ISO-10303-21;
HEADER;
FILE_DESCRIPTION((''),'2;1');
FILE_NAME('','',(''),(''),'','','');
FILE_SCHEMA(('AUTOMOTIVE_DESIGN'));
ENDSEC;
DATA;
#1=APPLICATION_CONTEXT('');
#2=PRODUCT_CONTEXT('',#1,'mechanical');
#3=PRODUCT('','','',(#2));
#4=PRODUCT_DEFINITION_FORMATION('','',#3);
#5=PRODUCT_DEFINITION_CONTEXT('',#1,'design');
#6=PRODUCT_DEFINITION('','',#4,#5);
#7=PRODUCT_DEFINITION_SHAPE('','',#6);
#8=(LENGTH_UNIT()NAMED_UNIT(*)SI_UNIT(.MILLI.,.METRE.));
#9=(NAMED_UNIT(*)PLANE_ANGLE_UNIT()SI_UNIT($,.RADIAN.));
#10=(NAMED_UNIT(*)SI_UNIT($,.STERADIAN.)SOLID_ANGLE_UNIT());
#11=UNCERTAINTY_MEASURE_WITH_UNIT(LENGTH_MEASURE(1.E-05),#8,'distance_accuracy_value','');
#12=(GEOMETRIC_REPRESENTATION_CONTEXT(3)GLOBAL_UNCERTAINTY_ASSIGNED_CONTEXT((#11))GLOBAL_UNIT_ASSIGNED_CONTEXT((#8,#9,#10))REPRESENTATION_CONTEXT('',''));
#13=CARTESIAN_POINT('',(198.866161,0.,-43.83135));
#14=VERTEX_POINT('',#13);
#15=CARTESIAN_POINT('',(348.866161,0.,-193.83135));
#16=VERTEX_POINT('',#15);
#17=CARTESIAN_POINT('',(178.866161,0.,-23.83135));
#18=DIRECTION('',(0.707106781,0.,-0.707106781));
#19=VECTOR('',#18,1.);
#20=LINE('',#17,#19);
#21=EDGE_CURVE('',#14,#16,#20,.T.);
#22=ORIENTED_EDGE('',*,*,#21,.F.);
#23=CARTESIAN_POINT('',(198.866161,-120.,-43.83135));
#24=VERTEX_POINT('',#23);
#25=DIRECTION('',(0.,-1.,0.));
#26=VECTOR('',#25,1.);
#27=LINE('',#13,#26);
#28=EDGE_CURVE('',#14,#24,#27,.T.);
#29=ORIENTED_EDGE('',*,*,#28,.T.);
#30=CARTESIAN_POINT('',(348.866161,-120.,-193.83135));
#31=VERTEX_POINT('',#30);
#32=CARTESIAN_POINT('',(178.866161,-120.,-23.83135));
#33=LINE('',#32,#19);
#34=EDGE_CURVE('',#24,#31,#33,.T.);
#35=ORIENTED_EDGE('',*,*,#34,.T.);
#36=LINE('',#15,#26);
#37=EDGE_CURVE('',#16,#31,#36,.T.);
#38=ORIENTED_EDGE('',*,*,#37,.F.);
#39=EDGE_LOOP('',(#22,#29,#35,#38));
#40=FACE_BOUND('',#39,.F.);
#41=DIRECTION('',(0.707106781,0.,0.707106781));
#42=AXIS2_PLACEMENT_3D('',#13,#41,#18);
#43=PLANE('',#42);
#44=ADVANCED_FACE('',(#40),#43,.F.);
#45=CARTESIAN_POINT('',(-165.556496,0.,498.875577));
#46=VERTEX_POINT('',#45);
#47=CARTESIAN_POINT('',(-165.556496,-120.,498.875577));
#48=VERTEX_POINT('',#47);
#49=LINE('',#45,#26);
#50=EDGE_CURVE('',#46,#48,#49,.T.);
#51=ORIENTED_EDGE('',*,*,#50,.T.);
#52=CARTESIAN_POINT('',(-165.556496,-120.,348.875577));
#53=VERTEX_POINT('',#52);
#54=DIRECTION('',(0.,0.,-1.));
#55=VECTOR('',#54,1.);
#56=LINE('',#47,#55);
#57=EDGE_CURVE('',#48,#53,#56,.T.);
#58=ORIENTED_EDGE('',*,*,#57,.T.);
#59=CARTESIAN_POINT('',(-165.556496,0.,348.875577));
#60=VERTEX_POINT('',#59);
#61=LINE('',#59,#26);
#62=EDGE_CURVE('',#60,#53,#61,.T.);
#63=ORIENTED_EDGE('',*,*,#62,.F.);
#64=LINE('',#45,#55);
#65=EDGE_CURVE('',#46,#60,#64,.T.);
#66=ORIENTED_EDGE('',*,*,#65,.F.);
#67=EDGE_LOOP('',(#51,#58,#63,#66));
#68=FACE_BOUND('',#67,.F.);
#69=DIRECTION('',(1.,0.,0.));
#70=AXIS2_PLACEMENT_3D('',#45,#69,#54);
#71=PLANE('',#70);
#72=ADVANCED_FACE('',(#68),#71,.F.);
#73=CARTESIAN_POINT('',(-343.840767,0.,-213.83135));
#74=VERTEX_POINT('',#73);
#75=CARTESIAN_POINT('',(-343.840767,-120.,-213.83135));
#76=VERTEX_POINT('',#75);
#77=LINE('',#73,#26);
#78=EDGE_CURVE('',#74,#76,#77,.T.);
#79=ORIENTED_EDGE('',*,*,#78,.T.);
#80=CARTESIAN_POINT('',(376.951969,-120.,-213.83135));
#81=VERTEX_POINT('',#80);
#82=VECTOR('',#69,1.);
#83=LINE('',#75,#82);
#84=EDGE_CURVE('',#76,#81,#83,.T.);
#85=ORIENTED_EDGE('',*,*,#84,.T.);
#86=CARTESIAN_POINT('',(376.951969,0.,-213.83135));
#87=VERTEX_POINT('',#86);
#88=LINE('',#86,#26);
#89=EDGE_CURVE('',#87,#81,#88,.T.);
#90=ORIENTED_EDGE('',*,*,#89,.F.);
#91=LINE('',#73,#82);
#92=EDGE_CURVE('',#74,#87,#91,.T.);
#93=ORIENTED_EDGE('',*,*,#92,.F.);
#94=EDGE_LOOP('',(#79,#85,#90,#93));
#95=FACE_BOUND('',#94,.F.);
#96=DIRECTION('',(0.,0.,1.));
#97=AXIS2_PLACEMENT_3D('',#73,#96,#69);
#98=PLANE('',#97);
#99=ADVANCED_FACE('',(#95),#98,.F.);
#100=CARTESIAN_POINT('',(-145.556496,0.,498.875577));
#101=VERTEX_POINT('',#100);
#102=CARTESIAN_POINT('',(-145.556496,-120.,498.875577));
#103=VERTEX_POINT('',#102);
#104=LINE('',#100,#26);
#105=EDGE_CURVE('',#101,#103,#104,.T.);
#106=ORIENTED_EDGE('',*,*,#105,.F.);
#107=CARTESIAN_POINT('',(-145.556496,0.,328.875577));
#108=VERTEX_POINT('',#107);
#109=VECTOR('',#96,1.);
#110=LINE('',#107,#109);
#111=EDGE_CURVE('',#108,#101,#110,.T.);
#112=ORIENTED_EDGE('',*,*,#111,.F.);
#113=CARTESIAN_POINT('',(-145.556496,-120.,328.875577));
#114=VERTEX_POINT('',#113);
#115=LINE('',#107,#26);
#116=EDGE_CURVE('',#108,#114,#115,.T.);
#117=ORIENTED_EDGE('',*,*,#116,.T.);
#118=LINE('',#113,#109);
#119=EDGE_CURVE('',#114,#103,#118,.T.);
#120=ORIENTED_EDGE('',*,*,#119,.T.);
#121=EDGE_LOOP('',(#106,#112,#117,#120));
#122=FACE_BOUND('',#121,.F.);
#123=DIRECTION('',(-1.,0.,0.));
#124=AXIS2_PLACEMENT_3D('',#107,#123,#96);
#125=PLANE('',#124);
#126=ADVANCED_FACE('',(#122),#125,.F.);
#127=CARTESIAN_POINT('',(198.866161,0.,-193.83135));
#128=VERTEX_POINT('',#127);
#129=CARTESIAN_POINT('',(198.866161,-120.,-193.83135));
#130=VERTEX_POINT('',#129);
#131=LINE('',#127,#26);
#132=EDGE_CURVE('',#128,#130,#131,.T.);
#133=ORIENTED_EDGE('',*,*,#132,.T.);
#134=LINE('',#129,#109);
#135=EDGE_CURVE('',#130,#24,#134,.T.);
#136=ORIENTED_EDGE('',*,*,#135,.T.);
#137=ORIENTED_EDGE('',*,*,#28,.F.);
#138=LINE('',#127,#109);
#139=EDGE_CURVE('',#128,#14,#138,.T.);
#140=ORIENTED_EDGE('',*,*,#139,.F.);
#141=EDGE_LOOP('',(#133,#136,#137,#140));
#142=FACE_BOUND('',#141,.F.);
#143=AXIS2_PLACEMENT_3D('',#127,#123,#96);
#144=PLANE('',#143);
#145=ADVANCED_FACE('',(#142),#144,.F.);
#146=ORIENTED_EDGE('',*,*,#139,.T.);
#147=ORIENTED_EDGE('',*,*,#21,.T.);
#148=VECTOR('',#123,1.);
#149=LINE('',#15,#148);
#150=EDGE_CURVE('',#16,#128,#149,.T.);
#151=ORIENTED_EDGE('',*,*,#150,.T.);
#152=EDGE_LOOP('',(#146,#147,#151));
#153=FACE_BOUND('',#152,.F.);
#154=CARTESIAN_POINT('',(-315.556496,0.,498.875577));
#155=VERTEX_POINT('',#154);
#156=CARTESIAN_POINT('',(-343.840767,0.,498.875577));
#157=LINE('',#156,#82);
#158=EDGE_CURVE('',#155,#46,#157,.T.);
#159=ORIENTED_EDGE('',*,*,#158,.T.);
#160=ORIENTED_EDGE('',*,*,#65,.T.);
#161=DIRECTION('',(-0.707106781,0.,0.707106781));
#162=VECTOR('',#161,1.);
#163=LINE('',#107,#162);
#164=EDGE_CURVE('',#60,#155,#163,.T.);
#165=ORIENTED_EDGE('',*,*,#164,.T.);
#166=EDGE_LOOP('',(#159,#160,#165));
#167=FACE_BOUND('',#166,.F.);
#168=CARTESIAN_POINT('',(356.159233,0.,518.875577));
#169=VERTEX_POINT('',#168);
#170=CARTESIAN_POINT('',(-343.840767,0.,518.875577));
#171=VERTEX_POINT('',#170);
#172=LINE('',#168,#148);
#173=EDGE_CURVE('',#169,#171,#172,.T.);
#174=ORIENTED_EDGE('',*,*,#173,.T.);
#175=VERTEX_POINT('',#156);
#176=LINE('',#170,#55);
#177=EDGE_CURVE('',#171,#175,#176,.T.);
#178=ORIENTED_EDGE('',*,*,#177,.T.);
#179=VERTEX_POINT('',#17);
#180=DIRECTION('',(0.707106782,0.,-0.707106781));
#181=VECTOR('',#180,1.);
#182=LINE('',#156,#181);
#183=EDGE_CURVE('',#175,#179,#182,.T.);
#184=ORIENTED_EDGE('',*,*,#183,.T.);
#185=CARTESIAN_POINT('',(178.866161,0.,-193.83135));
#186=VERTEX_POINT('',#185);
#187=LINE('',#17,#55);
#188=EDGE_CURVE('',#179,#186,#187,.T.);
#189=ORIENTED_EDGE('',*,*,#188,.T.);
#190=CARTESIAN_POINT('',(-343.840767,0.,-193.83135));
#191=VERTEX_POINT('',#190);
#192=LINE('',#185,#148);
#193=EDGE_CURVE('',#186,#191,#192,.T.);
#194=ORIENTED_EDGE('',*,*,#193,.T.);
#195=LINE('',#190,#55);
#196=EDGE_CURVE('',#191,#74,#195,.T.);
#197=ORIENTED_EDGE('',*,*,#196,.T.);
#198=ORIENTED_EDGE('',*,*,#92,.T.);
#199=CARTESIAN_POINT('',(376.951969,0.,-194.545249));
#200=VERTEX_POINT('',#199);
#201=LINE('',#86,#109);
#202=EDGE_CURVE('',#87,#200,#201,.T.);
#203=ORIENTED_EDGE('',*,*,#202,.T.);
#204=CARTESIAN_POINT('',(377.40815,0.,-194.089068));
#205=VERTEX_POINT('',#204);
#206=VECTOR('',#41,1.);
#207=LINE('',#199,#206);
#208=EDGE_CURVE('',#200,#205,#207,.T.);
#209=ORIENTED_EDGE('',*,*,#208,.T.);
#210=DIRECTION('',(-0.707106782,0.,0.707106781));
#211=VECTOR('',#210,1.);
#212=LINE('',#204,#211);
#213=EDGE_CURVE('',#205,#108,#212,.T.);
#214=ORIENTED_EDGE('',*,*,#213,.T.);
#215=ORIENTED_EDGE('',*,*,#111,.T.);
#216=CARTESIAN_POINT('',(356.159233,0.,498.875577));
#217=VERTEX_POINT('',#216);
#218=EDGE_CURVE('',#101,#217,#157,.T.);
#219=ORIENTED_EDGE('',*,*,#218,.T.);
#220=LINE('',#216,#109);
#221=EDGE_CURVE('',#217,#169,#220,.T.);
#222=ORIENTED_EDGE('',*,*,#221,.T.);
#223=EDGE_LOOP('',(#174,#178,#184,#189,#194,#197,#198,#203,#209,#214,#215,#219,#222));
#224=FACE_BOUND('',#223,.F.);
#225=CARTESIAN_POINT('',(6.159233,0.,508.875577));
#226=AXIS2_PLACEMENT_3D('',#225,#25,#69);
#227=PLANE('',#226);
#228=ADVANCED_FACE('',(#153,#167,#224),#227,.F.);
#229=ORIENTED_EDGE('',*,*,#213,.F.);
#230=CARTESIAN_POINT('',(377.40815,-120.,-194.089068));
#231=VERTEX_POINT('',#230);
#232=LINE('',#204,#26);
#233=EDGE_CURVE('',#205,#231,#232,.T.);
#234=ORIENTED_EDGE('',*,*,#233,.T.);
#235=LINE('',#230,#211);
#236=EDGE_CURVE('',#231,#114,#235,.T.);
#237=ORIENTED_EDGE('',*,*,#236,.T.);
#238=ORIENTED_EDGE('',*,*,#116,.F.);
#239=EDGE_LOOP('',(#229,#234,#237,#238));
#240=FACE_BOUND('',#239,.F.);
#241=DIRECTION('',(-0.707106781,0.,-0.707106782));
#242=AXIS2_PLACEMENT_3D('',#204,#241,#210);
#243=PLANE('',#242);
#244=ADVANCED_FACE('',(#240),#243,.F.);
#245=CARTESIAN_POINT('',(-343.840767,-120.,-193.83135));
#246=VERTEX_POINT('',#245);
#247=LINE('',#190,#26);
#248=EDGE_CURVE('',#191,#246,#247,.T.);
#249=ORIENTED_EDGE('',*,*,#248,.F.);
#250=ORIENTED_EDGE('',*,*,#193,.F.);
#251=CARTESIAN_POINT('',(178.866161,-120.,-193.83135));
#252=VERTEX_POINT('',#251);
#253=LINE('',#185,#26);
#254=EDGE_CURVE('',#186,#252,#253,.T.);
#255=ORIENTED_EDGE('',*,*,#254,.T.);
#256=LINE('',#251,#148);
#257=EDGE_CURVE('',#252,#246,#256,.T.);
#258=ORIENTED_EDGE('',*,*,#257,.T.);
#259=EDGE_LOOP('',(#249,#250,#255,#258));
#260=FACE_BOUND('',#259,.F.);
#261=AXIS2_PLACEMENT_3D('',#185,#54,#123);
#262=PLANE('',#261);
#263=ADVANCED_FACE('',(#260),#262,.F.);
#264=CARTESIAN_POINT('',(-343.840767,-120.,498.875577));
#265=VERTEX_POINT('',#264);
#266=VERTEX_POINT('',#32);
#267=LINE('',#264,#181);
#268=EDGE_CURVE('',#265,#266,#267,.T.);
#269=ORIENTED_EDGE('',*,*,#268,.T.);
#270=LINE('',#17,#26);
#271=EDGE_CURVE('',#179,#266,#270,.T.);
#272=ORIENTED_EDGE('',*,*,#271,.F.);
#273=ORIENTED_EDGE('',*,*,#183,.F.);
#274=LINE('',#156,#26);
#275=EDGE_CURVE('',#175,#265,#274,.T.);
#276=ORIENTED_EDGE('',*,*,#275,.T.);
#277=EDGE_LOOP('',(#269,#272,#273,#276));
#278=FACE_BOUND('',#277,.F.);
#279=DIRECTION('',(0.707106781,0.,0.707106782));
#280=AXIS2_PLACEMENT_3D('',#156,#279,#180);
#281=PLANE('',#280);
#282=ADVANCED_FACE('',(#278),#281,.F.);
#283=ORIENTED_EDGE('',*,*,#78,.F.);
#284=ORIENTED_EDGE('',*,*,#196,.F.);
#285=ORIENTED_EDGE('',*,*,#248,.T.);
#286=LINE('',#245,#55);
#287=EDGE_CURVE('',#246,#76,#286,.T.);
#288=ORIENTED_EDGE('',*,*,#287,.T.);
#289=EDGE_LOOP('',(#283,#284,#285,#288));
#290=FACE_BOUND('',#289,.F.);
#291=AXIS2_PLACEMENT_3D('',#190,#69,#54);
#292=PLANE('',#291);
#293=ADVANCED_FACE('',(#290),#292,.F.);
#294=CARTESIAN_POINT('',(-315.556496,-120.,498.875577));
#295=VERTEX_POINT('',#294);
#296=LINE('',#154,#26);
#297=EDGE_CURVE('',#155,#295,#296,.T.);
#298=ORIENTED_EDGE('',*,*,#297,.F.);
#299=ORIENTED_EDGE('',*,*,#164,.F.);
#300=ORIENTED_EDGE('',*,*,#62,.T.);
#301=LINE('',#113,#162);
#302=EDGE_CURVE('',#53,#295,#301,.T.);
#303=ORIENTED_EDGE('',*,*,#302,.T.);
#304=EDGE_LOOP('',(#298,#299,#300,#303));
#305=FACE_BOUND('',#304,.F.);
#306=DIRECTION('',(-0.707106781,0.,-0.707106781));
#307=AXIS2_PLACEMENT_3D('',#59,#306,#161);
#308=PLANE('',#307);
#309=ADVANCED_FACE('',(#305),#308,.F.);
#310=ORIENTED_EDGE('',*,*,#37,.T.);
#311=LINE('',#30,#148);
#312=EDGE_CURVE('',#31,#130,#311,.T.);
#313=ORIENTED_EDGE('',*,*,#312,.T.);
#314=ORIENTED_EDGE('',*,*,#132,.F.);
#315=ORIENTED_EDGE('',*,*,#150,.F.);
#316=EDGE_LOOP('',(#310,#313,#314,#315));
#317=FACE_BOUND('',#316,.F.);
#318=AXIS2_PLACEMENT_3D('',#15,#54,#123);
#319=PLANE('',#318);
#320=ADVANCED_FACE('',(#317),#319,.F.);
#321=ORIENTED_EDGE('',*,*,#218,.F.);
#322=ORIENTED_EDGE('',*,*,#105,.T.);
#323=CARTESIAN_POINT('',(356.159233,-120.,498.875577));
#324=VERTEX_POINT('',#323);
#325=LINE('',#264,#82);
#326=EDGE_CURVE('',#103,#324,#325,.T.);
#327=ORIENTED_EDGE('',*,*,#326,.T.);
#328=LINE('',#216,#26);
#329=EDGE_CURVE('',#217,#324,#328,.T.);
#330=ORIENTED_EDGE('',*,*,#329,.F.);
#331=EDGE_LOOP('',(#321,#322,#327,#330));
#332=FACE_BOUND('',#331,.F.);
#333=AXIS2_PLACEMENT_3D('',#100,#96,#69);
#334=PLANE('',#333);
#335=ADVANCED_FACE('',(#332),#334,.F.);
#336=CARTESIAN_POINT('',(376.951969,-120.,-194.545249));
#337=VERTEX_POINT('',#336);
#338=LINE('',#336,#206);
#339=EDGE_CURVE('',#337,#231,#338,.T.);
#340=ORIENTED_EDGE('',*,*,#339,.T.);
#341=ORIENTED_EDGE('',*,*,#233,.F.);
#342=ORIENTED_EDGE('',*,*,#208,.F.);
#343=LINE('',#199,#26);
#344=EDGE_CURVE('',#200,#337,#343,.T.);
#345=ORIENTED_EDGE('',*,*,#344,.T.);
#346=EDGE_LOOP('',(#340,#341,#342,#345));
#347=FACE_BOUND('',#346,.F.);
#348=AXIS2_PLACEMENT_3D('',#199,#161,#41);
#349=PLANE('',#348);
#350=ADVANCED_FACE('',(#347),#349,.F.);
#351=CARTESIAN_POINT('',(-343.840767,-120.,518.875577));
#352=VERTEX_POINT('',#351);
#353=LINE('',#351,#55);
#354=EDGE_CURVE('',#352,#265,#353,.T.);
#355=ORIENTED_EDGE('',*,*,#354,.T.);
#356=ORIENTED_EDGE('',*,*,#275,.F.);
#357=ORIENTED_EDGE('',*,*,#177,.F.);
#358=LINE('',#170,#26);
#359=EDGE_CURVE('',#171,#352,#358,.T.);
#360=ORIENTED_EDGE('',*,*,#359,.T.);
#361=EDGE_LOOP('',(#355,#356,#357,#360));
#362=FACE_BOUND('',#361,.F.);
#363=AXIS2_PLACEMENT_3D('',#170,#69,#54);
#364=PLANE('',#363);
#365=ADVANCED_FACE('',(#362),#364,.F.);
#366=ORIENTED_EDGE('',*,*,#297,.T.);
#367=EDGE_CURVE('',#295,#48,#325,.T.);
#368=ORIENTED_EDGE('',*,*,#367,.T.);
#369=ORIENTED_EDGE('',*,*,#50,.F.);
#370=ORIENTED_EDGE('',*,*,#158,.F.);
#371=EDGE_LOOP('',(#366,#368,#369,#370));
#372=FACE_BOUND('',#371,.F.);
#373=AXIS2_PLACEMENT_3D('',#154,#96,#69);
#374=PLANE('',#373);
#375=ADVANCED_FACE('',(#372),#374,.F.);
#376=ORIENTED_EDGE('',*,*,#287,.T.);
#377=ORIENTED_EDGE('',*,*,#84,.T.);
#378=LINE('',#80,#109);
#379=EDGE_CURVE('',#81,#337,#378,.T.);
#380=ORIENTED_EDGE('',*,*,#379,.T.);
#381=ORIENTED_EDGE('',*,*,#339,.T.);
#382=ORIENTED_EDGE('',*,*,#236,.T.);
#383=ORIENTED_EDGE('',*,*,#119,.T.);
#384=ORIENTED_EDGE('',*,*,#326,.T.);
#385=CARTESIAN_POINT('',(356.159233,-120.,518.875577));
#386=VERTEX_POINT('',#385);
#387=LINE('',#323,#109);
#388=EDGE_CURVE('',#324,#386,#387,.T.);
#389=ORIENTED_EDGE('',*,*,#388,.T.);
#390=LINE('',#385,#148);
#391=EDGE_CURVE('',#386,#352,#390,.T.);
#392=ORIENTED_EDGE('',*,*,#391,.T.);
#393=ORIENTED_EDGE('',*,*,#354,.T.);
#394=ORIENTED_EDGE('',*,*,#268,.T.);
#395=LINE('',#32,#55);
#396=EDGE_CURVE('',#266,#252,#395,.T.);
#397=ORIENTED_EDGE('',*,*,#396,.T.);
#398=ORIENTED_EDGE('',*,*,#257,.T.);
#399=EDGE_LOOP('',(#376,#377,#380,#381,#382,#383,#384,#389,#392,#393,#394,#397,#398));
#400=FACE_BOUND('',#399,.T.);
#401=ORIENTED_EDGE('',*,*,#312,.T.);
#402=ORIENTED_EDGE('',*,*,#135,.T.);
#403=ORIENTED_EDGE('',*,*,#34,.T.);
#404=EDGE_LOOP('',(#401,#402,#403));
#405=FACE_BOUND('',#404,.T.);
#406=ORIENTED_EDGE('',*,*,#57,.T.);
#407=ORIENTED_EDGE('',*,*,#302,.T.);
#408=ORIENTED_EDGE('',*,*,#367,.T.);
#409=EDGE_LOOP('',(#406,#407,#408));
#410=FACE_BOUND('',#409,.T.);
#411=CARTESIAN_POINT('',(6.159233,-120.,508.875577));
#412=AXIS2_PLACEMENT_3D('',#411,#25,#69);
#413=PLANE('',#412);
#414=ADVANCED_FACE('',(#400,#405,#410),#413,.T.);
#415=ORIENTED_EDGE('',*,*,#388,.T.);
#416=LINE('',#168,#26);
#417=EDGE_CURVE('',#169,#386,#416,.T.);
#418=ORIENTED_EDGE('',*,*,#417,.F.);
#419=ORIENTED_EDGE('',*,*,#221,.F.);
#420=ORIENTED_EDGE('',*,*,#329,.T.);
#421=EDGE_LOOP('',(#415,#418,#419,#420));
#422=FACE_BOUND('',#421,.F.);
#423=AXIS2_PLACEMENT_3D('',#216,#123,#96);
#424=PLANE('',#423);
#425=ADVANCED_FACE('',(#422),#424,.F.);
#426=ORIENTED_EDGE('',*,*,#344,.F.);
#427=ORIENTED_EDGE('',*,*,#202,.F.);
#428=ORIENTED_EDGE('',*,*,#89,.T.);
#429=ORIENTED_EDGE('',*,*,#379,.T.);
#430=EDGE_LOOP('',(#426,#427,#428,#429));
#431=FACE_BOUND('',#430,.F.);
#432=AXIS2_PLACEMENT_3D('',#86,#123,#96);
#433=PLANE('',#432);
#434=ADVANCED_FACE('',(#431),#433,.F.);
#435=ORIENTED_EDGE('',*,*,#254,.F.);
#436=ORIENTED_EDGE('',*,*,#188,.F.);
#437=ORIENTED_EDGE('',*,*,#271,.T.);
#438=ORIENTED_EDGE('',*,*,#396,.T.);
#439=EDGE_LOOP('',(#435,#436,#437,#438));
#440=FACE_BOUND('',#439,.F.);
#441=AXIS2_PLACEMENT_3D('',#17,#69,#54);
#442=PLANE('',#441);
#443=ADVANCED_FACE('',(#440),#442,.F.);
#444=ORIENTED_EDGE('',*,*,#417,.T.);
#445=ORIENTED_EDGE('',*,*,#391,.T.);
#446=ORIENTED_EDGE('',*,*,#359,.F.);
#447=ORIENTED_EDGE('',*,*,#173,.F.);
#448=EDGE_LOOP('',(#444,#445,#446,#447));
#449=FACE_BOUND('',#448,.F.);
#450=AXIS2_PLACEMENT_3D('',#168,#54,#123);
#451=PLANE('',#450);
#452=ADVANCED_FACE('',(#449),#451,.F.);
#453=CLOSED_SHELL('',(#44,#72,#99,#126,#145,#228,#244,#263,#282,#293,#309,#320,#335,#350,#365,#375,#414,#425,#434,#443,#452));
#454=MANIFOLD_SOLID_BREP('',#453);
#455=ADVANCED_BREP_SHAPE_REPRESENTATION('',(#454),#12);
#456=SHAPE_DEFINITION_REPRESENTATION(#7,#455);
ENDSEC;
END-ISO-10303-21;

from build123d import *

# Parameters (mm, degrees)
F1_DEPTH = 120


with BuildPart() as f1:
    # F0 (on Front) → F1 (new body)
    with BuildSketch(Plane.XZ):
        Polygon((356.159233, 498.875577), (356.159233, 518.875577), (-343.840767, 518.875577), (-343.840767, 498.875577), (-315.556496, 498.875577), (-165.556496, 498.875577), (-145.556496, 498.875577), align=None)
        Polygon((-315.556496, 498.875577), (-343.840767, 498.875577), (178.866161, -23.83135), (198.866161, -43.83135), (348.866161, -193.83135), (376.951969, -193.83135), (376.951969, -194.545249), (377.40815, -194.089068), (-145.556496, 328.875577), (-165.556496, 348.875577), align=None)
        Polygon((-145.556496, 328.875577), (-145.556496, 498.875577), (-165.556496, 498.875577), (-165.556496, 348.875577), align=None)
        Polygon((198.866161, -43.83135), (178.866161, -23.83135), (178.866161, -193.83135), (198.866161, -193.83135), align=None)
        Polygon((198.866161, -193.83135), (178.866161, -193.83135), (-343.840767, -193.83135), (-343.840767, -213.83135), (376.951969, -213.83135), (376.951969, -194.545249), (376.951969, -193.83135), (348.866161, -193.83135), align=None)
    extrude(amount=F1_DEPTH)


solid = f1.part
